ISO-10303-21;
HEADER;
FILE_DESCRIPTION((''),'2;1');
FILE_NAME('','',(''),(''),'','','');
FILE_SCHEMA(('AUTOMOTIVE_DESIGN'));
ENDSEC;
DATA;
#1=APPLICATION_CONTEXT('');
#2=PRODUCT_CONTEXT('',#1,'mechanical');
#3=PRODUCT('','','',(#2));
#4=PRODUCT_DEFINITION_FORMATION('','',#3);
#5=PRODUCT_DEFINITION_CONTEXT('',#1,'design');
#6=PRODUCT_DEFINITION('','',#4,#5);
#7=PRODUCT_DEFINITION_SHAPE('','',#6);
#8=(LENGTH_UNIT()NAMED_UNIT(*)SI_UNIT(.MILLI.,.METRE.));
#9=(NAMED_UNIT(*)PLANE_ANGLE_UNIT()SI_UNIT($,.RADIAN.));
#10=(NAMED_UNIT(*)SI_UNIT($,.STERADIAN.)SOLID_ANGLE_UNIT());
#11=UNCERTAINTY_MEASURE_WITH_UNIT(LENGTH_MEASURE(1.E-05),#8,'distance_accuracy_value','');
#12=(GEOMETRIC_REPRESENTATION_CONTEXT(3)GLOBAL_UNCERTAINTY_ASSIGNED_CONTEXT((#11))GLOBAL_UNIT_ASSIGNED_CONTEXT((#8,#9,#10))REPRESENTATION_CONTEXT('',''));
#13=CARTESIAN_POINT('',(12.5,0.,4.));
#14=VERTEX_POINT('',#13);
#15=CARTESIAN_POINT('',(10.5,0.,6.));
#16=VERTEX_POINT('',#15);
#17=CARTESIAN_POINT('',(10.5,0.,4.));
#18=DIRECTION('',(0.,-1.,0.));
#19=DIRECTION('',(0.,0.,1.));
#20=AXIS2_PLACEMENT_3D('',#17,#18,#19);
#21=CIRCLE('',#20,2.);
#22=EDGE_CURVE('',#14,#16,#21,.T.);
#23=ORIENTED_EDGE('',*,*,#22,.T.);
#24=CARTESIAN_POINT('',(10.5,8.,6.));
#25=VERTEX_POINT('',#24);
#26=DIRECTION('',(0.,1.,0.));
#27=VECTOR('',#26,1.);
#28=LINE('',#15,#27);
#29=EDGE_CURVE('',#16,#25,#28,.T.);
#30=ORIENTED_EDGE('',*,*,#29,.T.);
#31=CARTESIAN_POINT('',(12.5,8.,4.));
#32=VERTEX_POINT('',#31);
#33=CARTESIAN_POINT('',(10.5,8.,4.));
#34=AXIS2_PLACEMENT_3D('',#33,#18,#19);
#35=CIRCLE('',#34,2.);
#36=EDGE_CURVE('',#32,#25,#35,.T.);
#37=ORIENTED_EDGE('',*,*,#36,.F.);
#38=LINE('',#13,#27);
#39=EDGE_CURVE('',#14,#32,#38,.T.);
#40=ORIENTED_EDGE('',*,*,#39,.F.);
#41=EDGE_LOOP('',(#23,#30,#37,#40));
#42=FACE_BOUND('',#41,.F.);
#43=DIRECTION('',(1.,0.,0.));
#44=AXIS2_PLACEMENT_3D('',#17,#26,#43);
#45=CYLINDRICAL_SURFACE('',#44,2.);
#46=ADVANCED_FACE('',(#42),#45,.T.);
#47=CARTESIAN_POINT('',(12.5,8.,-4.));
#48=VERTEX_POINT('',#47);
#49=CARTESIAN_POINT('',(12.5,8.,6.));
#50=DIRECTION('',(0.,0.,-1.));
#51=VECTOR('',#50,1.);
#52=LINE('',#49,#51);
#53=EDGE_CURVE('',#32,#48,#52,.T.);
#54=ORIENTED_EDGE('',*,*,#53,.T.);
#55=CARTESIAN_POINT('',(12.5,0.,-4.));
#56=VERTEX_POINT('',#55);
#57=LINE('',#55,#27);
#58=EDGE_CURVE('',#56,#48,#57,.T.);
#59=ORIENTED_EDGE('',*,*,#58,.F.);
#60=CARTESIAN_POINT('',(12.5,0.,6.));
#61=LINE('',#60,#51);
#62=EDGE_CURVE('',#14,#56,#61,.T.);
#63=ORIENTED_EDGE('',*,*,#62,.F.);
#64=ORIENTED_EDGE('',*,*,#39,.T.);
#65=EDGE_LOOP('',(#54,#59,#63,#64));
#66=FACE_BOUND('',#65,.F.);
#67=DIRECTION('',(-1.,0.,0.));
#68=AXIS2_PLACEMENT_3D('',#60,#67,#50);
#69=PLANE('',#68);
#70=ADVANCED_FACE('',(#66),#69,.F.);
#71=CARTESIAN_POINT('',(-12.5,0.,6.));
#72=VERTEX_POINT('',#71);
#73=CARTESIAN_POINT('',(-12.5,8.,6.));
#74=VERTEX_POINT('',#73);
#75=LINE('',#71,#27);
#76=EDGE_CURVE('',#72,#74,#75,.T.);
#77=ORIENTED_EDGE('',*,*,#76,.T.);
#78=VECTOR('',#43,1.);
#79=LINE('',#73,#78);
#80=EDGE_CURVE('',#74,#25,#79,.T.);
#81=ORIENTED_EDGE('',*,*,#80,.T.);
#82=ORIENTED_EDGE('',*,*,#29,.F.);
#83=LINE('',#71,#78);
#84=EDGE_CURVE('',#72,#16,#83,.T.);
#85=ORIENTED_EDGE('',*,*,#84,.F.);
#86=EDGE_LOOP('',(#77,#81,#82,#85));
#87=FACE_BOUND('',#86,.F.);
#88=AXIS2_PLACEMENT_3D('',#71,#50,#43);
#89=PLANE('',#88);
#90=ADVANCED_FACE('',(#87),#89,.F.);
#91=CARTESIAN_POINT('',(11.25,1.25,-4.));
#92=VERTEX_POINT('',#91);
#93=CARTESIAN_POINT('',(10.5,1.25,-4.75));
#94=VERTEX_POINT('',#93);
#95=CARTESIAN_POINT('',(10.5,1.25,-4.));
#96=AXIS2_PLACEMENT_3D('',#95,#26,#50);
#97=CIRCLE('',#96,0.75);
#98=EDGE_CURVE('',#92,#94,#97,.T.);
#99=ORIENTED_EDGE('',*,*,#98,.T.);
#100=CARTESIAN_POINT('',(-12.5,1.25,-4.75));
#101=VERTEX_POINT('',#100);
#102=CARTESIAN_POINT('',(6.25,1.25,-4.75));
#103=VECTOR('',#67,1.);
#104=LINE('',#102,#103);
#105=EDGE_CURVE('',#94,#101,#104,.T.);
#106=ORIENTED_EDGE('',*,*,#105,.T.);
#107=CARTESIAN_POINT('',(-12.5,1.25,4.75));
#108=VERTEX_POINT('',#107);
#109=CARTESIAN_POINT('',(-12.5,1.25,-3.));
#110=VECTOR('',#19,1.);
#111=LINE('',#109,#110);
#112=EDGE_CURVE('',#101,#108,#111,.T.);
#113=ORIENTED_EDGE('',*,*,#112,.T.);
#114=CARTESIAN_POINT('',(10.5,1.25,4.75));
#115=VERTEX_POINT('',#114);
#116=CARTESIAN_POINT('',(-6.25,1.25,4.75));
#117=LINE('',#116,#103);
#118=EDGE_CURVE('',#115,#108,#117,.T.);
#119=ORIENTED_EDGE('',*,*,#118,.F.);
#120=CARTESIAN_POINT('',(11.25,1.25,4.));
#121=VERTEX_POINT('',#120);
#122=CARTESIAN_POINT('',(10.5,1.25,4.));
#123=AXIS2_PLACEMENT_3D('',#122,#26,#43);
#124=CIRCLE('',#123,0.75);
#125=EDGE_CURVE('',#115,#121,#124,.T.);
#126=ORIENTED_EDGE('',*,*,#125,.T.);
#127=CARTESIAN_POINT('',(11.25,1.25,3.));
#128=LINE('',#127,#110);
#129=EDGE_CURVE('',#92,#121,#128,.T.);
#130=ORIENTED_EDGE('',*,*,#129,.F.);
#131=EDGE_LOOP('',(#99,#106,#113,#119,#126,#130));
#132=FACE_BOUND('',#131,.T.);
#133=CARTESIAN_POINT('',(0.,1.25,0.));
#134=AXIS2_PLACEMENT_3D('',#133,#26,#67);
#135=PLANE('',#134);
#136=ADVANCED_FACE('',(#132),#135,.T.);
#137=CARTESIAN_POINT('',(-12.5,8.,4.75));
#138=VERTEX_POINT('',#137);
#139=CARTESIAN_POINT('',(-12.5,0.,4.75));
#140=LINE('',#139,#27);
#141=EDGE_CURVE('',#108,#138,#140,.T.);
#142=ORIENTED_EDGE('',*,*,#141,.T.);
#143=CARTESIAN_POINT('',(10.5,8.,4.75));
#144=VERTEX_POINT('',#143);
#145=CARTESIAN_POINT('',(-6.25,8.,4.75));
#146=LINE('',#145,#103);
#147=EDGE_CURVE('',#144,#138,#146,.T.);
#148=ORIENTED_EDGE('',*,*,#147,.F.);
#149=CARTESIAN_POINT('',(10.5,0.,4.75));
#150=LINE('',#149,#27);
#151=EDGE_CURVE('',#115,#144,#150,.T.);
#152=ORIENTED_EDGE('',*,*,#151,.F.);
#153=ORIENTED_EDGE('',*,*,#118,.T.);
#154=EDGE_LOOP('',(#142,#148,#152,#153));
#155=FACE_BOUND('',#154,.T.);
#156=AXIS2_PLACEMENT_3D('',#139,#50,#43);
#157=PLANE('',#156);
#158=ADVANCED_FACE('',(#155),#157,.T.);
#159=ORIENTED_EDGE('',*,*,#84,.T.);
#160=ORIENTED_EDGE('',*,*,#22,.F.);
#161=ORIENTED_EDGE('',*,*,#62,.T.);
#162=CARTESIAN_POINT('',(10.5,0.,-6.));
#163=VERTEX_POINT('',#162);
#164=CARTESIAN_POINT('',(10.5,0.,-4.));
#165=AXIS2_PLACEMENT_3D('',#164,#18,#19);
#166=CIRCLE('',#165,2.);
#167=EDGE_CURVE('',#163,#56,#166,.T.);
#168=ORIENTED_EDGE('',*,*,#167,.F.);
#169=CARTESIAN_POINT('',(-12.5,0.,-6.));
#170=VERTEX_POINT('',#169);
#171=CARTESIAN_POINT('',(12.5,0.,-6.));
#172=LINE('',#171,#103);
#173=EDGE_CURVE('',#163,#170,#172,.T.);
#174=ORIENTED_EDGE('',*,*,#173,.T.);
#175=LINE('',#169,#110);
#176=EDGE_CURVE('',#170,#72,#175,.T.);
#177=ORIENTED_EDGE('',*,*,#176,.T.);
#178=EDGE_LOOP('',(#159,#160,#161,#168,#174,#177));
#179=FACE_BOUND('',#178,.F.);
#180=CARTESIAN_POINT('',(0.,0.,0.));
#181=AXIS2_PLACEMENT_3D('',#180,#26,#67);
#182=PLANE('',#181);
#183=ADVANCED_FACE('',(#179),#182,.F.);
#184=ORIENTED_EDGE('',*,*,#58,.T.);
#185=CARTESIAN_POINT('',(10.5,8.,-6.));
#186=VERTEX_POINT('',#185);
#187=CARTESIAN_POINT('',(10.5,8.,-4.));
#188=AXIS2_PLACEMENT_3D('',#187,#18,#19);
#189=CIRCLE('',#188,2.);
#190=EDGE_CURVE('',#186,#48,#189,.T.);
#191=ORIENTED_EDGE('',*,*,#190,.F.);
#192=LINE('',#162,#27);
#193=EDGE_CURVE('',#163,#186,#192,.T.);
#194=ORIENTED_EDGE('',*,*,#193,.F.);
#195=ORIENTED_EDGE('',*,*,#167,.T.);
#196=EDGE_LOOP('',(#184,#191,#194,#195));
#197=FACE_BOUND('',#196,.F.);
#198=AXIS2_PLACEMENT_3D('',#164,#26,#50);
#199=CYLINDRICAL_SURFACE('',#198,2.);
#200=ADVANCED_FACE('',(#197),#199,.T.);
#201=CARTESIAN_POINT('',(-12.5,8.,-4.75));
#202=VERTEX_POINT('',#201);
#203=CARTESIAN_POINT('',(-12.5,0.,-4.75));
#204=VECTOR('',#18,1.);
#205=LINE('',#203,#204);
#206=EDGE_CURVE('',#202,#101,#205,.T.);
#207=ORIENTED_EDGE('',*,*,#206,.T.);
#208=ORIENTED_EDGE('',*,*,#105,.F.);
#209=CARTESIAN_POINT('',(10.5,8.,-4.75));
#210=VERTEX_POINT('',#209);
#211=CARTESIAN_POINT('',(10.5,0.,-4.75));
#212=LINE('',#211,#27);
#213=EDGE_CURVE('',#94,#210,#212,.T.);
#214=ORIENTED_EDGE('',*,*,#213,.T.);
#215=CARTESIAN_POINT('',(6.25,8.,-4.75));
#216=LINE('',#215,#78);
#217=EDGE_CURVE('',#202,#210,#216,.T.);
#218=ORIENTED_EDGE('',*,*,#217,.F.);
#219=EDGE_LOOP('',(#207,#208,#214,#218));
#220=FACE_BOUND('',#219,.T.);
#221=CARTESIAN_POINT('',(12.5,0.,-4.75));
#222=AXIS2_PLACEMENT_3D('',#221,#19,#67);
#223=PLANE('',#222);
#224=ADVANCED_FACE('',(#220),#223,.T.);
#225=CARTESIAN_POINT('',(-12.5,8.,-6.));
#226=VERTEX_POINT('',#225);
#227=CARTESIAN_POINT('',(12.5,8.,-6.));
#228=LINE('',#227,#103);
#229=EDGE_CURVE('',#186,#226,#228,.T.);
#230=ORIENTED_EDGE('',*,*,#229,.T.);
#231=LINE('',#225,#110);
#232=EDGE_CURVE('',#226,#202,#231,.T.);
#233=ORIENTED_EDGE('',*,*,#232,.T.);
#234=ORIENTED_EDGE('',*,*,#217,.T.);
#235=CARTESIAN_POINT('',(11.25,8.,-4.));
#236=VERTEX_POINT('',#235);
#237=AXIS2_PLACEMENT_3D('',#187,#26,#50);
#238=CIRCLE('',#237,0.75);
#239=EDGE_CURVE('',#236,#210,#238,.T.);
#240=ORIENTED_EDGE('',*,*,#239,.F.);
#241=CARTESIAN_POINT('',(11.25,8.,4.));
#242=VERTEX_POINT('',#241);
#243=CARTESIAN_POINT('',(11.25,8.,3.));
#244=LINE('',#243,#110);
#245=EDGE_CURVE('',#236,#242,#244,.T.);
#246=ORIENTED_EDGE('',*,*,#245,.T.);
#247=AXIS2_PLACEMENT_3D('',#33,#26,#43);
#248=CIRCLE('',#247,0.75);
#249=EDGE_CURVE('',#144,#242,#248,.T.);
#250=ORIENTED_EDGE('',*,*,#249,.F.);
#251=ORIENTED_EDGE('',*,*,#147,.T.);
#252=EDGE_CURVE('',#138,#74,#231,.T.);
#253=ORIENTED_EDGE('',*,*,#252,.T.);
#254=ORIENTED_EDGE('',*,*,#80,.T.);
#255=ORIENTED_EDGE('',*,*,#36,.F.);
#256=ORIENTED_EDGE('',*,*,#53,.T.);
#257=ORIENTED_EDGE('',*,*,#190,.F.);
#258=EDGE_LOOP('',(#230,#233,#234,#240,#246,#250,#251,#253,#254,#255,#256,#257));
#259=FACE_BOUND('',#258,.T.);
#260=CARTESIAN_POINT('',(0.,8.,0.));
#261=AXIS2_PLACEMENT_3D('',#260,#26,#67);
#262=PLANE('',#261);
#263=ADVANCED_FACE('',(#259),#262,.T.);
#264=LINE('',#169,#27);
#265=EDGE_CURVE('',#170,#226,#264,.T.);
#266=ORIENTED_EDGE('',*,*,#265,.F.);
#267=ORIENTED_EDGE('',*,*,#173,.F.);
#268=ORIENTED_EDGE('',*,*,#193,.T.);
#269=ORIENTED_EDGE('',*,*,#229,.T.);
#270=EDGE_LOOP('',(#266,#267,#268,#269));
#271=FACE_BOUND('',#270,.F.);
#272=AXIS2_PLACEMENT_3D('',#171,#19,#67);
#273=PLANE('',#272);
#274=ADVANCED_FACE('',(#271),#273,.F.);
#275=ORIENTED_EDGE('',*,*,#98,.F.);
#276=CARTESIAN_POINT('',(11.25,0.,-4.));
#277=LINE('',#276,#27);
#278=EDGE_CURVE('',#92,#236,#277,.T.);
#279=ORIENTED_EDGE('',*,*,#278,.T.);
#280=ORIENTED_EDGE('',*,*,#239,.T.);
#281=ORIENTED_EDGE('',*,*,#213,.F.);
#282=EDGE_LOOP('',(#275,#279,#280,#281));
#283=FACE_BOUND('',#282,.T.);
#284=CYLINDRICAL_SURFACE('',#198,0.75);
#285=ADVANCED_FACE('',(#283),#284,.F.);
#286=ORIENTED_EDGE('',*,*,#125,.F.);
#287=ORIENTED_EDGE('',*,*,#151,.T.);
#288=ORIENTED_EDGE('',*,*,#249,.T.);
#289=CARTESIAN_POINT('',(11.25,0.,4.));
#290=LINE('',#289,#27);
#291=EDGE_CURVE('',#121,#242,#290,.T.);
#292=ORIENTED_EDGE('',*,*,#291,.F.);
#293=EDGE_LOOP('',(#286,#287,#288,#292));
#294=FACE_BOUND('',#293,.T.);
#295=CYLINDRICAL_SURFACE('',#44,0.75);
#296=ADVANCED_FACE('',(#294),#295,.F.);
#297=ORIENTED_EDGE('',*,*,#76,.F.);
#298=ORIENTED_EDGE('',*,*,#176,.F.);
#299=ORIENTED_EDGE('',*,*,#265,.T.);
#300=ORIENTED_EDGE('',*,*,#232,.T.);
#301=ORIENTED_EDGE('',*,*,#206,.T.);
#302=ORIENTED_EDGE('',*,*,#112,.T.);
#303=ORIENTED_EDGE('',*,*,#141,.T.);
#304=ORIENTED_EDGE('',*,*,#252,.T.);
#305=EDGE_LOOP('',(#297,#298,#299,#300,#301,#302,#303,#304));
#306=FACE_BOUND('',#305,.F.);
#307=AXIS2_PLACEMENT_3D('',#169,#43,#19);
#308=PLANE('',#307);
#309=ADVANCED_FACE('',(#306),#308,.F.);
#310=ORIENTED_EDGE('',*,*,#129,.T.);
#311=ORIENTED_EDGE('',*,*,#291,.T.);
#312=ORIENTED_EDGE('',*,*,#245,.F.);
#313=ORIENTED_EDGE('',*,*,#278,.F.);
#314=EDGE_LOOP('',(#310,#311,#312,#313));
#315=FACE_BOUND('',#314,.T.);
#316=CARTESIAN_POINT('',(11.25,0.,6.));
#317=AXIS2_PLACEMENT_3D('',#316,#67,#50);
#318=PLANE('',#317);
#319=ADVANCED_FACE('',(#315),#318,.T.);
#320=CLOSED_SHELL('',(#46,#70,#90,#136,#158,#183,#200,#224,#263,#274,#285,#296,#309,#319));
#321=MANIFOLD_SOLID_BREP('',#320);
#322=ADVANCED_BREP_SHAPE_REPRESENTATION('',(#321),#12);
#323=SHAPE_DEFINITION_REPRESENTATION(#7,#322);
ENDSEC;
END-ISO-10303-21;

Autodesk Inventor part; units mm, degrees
ref_plane "YZ Plane" through (0, 0, 0) normal (1, 0, 0) x (0, 1, 0)
ref_plane "XZ Plane" through (0, 0, 0) normal (0, 1, 0) x (-1, 0, 0)
ref_plane "XY Plane" through (0, 0, 0) normal (0, 0, 1) x (1, 0, 0)
sketch "Skizze1" plane through (0, 0, 0) normal (0, 1, 0) x (-1, 0, 0)
  line L0 (12.5, 6) -> (-12.5, 6)
  line L1 (-12.5, 6) -> (-12.5, -6)
  line L2 (-12.5, -6) -> (12.5, -6)
  line L3 (12.5, -6) -> (12.5, 6)
  line L4 (12.5, 6) -> (-12.5, -6) construction
  line L5 (-12.5, 6) -> (12.5, -6) construction
  point P0 (0, 0)
  dimension "d0" = 12
  dimension "d2" = 25
extrude "Extrusion1" add sketch "Skizze1" along normal blind 8
fillet "Rundung1" radius 2 2 edges at (12.5, 4, 6) (12.5, 4, -6)
shell "Wandung1" thickness 1.25 removed faces 2 at (-12.5, 2.6667, -2) at (2.8333, 8, -2)
properties part number "P_Case"
